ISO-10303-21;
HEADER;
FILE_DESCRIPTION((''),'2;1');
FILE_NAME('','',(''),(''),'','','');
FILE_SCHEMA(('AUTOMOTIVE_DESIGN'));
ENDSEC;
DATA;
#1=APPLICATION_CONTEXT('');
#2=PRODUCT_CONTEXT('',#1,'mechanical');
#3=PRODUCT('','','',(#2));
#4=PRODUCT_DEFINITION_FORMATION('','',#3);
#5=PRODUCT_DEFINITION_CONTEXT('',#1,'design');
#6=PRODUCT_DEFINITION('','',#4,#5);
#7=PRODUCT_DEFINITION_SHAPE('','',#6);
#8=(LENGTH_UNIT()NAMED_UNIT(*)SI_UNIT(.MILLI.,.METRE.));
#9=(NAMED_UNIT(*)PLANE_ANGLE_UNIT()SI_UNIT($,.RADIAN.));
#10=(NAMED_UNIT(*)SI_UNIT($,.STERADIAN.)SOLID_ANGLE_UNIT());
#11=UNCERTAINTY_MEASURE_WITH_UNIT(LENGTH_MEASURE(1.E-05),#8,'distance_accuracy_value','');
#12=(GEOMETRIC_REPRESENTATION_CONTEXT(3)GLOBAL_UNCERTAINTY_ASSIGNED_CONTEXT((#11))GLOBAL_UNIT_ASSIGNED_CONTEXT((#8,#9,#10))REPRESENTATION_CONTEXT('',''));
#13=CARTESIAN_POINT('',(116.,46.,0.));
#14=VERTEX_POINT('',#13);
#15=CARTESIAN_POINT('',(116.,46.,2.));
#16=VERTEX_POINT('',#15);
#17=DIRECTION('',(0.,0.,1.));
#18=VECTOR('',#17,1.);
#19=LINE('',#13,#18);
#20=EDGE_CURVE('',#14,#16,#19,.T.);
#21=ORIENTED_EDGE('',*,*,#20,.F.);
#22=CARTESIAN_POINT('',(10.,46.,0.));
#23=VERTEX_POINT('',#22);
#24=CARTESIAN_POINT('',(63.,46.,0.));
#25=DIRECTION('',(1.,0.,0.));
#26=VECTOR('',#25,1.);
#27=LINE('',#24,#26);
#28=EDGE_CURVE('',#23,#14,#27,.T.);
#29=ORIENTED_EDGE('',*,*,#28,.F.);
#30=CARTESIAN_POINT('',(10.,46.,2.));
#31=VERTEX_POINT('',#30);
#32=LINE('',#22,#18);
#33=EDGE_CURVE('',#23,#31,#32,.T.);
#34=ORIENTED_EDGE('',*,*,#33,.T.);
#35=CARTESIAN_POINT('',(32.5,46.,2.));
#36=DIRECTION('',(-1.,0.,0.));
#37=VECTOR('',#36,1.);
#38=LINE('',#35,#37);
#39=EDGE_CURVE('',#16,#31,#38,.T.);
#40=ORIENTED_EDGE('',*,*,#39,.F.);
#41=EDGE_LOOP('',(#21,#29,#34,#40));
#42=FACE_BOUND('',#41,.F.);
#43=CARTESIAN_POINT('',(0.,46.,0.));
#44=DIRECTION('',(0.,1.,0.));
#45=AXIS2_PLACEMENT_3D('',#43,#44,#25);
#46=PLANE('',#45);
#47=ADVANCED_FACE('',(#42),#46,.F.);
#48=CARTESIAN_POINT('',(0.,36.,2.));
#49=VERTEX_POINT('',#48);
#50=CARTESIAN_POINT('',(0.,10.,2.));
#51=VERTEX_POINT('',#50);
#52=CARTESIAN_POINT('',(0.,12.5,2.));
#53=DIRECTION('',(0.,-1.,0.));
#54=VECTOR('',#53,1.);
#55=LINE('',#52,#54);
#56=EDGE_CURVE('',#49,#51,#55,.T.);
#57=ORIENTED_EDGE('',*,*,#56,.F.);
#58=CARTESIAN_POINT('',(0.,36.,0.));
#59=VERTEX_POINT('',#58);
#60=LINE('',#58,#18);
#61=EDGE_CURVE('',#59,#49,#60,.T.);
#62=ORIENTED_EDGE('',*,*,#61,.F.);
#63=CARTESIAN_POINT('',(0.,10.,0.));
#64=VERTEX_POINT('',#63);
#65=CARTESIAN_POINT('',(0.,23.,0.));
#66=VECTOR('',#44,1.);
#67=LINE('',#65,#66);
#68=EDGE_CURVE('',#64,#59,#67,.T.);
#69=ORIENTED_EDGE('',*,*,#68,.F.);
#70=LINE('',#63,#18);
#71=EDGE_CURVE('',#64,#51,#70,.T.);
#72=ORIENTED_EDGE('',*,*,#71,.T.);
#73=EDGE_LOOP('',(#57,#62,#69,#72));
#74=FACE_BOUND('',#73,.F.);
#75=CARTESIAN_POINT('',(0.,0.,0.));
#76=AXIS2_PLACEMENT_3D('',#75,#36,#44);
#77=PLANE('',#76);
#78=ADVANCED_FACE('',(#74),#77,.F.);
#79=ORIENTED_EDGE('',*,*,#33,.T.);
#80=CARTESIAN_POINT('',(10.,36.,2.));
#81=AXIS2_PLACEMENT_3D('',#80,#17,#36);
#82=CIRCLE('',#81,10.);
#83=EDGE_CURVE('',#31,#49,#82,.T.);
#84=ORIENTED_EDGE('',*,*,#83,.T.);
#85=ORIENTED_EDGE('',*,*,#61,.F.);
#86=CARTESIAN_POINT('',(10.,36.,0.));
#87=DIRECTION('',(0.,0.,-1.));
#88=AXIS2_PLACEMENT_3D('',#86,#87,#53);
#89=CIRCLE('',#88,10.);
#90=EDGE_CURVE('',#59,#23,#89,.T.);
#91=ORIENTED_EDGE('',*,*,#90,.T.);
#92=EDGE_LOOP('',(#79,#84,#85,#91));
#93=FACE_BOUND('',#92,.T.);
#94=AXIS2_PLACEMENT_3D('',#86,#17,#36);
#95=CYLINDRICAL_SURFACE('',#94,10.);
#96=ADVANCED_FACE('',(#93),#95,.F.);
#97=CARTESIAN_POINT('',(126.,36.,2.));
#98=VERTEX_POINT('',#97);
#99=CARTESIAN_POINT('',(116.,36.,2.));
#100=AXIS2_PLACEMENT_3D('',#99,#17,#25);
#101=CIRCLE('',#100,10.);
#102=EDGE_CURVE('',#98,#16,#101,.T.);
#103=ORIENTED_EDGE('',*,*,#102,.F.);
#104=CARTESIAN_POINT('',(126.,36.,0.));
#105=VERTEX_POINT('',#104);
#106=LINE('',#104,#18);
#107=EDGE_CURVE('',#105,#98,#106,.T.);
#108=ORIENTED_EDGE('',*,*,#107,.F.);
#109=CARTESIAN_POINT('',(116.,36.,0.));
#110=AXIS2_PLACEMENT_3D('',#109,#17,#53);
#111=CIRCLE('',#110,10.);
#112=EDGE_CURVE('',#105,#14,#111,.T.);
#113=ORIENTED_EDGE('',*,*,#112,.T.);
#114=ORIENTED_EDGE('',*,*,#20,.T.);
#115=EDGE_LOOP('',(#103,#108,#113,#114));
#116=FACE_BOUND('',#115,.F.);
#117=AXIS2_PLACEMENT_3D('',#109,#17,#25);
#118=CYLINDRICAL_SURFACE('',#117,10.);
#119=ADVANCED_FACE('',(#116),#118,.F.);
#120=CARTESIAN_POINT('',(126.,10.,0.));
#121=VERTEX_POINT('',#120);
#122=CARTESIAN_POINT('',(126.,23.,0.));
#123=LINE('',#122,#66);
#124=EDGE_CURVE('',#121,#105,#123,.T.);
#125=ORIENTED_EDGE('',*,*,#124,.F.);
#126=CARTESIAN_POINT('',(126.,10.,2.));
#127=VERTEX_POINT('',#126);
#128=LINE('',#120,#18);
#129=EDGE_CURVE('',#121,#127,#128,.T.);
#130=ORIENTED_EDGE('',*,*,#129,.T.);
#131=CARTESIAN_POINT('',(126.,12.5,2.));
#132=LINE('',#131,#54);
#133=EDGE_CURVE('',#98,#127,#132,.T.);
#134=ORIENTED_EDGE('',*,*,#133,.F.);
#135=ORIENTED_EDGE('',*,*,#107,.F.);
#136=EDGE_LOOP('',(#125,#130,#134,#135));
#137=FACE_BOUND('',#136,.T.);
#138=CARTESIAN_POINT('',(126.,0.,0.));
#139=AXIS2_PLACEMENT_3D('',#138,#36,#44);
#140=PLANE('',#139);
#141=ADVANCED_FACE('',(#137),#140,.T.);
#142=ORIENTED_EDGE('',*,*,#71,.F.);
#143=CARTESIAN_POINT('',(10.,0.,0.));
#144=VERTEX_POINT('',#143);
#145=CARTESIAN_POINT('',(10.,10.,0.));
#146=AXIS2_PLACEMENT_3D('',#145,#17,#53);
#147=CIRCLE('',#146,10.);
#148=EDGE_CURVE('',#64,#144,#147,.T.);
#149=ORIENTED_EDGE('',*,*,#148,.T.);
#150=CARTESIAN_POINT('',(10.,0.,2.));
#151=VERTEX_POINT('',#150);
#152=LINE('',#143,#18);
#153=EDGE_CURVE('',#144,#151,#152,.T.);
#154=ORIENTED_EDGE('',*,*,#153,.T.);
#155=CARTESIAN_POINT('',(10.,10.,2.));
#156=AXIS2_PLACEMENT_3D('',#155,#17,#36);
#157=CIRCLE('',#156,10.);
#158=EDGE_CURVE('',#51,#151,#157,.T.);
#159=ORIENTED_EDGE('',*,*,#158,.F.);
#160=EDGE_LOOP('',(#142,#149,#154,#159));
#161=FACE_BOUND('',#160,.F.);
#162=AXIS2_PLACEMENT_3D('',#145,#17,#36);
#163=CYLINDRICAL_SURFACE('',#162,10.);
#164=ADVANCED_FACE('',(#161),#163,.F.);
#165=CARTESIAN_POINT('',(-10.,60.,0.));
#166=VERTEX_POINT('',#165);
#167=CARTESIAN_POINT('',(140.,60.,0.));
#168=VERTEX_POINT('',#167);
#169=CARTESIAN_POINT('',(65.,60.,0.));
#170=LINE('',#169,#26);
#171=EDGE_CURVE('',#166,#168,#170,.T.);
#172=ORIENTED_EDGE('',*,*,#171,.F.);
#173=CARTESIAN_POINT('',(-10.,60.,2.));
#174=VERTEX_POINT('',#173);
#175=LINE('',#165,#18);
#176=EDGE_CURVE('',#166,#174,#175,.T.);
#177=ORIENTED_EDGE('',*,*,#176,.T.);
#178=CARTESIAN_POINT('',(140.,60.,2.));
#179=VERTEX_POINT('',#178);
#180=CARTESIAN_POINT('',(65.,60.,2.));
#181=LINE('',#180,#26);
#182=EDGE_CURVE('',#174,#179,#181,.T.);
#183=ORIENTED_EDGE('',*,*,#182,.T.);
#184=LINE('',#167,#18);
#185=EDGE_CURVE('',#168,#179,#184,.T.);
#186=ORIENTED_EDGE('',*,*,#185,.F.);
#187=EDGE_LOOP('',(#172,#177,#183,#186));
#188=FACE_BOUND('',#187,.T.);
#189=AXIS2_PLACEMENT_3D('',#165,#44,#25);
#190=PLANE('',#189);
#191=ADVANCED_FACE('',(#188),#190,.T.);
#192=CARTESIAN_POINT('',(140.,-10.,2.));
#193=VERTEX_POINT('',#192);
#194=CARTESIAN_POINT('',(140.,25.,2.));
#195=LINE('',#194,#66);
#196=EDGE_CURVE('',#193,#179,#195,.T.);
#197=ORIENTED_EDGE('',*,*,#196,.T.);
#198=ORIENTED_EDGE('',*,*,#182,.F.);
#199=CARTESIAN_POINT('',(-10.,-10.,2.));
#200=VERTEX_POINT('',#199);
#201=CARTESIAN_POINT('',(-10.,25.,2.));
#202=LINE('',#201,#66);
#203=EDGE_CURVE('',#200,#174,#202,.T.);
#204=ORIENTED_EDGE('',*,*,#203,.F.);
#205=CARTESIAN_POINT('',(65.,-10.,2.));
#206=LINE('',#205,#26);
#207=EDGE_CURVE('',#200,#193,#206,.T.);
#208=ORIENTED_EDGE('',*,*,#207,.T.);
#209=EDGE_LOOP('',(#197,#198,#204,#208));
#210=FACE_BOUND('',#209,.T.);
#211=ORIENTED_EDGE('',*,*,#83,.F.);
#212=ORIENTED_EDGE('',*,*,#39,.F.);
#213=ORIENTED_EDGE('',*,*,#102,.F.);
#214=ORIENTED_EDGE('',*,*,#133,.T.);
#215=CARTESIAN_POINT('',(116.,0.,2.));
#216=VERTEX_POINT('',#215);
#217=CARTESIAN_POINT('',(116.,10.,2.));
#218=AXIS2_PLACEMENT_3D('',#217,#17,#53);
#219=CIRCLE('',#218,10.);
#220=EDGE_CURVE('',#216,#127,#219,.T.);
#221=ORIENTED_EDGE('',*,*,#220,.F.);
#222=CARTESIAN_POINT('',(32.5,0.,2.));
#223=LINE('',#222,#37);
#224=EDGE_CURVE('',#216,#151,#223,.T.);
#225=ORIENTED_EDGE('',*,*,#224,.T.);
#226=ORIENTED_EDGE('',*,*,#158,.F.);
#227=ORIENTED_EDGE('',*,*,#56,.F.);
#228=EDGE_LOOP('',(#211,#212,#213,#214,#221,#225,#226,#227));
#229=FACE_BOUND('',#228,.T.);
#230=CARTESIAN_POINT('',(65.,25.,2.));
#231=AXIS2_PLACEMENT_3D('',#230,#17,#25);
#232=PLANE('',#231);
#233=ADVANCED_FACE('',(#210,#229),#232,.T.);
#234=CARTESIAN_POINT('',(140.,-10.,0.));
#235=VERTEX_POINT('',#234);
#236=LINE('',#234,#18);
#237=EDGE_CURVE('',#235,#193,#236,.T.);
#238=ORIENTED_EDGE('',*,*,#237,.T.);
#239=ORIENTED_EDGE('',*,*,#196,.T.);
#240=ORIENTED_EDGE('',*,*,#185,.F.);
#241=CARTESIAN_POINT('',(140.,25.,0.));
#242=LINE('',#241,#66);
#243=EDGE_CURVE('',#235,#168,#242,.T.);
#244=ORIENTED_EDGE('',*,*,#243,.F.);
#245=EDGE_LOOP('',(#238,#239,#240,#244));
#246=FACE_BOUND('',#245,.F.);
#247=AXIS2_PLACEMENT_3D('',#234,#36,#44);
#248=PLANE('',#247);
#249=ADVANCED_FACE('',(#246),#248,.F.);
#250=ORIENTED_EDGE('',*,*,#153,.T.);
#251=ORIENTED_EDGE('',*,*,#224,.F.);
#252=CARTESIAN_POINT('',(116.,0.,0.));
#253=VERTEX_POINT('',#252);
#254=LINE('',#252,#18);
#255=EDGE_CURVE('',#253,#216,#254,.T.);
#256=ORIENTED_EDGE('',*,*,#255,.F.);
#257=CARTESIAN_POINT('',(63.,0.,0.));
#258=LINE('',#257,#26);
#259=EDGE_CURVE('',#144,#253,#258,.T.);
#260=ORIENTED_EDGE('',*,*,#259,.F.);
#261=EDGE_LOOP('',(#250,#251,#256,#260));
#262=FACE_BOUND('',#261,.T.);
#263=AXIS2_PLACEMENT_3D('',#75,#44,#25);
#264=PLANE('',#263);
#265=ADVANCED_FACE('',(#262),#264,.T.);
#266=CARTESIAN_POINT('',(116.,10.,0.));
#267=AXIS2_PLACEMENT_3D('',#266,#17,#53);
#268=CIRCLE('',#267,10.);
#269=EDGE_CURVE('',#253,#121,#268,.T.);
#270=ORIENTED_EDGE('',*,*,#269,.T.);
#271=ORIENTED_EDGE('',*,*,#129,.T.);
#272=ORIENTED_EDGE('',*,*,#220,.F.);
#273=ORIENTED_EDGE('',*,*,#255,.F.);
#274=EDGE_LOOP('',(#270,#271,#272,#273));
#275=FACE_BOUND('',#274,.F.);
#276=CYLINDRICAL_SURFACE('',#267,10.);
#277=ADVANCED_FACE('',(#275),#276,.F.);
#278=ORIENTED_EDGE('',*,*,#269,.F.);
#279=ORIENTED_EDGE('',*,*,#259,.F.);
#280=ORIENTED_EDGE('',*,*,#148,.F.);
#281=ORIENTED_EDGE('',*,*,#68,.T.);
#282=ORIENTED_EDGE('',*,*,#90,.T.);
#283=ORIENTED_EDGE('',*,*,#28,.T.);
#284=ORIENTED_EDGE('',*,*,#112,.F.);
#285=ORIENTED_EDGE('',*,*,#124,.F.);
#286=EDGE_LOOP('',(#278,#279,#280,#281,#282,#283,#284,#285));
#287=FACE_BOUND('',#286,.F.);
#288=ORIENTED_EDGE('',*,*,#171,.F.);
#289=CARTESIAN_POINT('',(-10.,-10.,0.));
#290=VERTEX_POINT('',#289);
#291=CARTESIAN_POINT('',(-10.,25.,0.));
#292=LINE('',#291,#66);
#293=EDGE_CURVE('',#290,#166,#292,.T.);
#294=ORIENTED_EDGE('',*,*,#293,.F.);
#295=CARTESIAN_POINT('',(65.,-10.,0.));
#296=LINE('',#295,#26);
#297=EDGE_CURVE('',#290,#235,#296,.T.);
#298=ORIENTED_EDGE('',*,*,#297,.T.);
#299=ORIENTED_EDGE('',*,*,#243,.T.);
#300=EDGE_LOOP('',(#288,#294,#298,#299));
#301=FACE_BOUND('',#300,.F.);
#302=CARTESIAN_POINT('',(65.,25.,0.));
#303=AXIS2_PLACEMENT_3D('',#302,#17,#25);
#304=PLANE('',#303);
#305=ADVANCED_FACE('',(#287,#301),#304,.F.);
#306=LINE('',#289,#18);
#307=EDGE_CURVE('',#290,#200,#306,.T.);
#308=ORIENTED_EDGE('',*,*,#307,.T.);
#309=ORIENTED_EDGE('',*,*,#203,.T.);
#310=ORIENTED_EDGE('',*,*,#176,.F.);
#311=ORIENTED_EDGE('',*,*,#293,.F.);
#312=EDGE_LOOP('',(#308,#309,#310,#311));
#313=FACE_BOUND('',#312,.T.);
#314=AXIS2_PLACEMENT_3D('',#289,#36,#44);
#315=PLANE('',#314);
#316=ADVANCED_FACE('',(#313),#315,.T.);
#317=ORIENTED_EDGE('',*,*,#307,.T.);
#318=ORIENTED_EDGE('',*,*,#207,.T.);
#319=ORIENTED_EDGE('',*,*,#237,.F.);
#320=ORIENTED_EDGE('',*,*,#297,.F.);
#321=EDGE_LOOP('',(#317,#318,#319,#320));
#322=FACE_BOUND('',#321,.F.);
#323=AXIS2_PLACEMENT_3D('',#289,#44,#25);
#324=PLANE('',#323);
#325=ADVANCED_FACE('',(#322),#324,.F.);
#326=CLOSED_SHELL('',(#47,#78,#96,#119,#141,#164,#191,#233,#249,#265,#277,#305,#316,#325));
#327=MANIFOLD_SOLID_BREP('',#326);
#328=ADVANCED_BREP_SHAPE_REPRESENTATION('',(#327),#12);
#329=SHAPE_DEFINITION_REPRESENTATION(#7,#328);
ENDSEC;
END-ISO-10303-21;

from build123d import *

# Parameters (mm, degrees)
BOX003_W     = 126
BOX003_H     = 46
BOX003_DEPTH = 10
FILLET005_R  = 10
BOX004_W     = 150
BOX004_H     = 70
BOX004_DEPTH = 2


with BuildPart() as fillet005:
    # Box003 → Box003 (new body)
    with BuildSketch(Plane.XY):
        with Locations((63, 23)):
            Rectangle(BOX003_W, BOX003_H)
    extrude(amount=BOX003_DEPTH)

    # Fillet005
    fillet005_edges = [fillet005.edges().sort_by_distance(p)[0] for p in [
        (0, 0, 5),
        (0, 46, 5),
        (126, 0, 5),
        (126, 46, 5),
    ]]
    fillet(fillet005_edges, radius=FILLET005_R)


with BuildPart() as cut001:
    # Box004 → Box004 (new body)
    with BuildSketch(Plane(origin=(-10, -10, 0), x_dir=(1, 0, 0), z_dir=(0, 0, 1))):
        with Locations((75, 35)):
            Rectangle(BOX004_W, BOX004_H)
    extrude(amount=BOX004_DEPTH)

    # Cut001: cut Fillet005
    add(fillet005.part, mode=Mode.SUBTRACT)


solid = cut001.part
